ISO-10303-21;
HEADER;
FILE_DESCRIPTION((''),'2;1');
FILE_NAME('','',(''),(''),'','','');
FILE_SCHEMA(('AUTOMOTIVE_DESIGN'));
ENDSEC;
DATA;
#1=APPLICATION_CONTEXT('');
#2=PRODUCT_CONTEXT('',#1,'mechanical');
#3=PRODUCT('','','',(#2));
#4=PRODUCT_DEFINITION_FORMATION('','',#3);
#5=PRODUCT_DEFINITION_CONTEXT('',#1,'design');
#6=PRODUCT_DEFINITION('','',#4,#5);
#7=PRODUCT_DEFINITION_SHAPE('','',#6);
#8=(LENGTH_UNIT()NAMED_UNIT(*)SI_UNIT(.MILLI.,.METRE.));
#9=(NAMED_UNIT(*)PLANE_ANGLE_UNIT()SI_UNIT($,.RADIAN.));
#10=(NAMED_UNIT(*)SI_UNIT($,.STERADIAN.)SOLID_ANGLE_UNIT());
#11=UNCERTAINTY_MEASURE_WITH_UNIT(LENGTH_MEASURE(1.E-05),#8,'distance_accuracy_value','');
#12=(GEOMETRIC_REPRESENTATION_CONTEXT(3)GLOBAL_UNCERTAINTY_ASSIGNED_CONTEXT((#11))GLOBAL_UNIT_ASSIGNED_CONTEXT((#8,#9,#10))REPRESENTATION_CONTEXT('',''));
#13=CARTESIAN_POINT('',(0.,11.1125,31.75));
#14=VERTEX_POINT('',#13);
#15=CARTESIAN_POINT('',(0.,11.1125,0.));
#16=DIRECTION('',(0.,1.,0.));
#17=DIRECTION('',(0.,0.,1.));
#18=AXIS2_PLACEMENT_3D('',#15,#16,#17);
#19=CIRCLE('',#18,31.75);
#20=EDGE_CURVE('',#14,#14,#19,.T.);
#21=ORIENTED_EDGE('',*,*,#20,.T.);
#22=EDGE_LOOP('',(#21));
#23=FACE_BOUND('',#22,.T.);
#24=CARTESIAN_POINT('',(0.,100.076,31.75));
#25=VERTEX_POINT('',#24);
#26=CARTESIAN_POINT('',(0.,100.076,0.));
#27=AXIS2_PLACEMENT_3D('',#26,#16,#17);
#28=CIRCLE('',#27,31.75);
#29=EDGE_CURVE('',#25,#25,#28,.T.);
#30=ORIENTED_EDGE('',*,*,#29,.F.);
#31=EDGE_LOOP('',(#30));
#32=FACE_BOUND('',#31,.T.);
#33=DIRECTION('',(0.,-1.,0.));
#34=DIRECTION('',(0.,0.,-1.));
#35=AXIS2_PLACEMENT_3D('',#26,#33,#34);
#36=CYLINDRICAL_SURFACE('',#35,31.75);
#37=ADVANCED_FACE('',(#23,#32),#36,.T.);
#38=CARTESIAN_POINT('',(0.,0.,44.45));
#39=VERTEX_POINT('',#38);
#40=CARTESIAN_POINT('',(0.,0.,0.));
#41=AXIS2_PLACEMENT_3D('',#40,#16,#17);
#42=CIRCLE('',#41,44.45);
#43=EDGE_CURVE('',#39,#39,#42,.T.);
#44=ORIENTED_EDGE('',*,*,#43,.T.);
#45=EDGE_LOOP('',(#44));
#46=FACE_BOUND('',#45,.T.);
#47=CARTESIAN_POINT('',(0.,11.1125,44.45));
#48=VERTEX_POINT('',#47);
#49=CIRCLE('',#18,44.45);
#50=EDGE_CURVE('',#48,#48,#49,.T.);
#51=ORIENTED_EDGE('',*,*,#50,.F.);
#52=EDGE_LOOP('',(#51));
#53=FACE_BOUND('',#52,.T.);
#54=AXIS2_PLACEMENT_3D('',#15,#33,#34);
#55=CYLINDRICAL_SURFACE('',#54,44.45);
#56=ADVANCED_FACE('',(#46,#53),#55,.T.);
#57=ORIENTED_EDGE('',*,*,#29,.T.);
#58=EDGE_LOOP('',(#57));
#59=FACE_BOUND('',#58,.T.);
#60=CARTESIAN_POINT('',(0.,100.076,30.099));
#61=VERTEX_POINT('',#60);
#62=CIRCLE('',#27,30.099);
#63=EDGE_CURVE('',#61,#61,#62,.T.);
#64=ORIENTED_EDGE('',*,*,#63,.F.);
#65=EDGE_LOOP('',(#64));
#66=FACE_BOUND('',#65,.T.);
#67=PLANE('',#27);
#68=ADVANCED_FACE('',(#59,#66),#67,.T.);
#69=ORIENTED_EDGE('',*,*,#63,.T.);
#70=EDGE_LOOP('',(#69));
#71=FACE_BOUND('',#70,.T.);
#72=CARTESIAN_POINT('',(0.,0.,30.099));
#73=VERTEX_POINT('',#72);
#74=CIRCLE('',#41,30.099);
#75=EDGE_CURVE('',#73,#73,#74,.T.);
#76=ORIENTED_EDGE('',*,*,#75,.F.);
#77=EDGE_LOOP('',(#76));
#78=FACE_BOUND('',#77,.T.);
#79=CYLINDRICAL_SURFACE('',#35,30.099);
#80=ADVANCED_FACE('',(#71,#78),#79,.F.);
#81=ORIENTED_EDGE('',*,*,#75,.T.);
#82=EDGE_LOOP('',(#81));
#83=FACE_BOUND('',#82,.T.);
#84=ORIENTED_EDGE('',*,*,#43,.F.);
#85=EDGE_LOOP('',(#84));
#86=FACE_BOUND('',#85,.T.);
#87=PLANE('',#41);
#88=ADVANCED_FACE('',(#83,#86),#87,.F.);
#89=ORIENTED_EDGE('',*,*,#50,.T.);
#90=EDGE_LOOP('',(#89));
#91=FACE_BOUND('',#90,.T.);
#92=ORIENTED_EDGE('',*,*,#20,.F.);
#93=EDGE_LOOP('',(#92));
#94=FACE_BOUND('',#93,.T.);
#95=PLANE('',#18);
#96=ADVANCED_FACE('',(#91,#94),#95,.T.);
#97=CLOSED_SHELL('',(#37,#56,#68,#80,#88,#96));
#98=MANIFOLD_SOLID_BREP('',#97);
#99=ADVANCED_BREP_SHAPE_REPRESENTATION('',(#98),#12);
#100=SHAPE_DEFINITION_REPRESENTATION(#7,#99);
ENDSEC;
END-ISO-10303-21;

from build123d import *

# Parameters (mm, degrees)
SKETCH1_R           = 31.75
SKETCH1_R_2         = 30.099
BOSS_EXTRUDE1_DEPTH = 100.076
SKETCH1_4_R         = 44.45
SKETCH1_4_R_2       = 31.75
BOSS_EXTRUDE2_DEPTH = 11.1125


with BuildPart() as part:
    # Sketch1 → Boss-Extrude1 (new body)
    with BuildSketch(Plane(origin=(0, 0, 0), x_dir=(1, 0, 0), z_dir=(0, 1, 0))):
        Circle(SKETCH1_R)
        Circle(SKETCH1_R_2, mode=Mode.SUBTRACT)
    extrude(amount=BOSS_EXTRUDE1_DEPTH)

    # Sketch1<4> → Boss-Extrude2 (add)
    with BuildSketch(Plane(origin=(0, 0, 0), x_dir=(1, 0, 0), z_dir=(0, 1, 0))):
        Circle(SKETCH1_4_R)
        Circle(SKETCH1_4_R_2, mode=Mode.SUBTRACT)
    extrude(amount=BOSS_EXTRUDE2_DEPTH)


solid = part.part
